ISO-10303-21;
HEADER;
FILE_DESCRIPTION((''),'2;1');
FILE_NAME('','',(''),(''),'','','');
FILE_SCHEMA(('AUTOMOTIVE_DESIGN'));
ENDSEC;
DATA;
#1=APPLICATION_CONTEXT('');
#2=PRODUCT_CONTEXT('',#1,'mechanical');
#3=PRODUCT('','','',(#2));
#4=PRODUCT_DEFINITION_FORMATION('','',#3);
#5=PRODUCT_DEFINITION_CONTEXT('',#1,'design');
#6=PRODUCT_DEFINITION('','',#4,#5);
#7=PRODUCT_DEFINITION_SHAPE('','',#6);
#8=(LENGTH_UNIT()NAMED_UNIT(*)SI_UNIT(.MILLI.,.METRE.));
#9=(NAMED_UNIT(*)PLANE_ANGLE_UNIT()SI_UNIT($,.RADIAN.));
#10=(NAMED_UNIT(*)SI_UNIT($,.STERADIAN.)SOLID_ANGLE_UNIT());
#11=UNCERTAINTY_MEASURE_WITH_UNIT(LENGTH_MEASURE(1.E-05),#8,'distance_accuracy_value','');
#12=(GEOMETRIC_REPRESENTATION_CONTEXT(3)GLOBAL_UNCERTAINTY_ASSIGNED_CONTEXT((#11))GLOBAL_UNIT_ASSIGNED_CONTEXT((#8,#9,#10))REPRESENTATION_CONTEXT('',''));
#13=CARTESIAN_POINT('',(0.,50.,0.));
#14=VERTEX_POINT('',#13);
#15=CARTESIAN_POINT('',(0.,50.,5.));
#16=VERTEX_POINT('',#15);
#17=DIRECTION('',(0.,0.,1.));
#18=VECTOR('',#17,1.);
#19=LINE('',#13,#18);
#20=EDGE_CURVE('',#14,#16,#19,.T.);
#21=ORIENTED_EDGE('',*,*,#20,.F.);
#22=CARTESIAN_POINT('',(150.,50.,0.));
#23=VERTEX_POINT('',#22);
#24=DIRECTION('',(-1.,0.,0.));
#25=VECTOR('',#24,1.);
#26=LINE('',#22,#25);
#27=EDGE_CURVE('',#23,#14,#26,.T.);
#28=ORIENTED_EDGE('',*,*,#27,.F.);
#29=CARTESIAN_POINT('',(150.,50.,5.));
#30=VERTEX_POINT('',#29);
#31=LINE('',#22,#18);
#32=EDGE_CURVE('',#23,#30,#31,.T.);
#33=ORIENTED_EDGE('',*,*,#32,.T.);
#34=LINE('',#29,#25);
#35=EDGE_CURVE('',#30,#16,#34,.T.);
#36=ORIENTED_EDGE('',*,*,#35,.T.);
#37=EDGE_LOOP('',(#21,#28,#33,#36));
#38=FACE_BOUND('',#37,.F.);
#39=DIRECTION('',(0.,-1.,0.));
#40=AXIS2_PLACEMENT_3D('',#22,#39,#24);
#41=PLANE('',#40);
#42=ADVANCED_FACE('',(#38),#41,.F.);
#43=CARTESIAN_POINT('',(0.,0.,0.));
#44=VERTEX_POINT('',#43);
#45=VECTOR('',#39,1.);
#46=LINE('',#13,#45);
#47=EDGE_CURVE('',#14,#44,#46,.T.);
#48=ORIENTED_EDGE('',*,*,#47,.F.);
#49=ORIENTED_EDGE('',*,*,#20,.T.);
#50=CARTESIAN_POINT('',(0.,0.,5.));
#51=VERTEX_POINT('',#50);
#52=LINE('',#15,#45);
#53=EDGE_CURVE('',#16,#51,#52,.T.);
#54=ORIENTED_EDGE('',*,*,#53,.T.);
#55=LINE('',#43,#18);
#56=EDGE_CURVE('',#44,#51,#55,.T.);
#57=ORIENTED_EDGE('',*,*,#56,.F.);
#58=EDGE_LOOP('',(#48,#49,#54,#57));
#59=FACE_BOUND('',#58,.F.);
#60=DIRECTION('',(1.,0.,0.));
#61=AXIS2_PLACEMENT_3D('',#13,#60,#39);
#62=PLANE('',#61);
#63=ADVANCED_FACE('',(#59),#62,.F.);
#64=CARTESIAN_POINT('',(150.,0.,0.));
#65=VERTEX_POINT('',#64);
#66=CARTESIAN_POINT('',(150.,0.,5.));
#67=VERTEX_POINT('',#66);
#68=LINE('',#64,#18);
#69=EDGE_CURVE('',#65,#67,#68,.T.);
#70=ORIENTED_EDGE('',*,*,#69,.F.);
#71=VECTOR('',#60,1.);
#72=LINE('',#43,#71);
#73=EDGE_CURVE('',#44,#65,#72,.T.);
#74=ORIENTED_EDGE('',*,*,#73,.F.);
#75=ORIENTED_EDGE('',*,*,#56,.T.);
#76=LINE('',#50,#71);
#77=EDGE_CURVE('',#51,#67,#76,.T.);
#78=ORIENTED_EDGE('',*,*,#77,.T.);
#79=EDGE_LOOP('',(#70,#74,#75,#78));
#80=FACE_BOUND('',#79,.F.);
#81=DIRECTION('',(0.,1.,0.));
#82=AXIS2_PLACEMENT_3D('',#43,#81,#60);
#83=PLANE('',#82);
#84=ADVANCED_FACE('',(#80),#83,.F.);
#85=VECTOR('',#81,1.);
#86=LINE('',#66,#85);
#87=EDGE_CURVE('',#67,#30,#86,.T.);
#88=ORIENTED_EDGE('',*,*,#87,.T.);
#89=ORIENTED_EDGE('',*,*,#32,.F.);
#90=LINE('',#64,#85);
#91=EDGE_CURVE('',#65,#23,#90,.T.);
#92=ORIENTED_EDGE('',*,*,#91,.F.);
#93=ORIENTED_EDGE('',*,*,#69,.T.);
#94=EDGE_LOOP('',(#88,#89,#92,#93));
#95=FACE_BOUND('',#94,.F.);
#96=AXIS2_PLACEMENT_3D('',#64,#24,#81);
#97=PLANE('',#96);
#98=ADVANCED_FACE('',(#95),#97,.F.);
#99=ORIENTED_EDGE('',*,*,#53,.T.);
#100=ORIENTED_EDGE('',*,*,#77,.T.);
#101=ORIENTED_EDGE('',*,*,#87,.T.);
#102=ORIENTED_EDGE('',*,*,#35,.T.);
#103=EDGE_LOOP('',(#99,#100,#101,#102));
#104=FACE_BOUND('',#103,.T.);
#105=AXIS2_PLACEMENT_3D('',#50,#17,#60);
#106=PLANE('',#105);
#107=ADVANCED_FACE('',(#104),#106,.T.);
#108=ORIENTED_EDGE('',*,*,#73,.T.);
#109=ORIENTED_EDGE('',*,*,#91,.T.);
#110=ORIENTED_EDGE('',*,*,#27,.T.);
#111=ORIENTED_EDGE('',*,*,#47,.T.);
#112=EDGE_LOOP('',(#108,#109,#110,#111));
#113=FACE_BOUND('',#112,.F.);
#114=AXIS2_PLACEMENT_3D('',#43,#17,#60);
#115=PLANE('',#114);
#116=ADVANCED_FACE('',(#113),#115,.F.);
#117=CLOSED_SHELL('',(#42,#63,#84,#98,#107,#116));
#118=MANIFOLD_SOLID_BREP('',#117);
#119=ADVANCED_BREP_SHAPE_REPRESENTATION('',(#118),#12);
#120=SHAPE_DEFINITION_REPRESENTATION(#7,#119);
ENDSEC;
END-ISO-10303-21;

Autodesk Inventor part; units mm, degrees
ref_plane "YZ Plane" through (0, 0, 0) normal (1, 0, 0) x (0, 1, 0)
ref_plane "XZ Plane" through (0, 0, 0) normal (0, 1, 0) x (-1, 0, 0)
ref_plane "XY Plane" through (0, 0, 0) normal (0, 0, 1) x (1, 0, 0)
sketch "Sketch1" plane through (0, 0, 0) normal (0, 0, 1) x (1, 0, 0)
  line L0 (0, 0) -> (150, 0)
  line L1 (150, 0) -> (150, 50)
  line L2 (150, 50) -> (0, 50)
  line L3 (0, 50) -> (0, 0)
  dimension "d0" = 150
  dimension "d1" = 50
extrude "Extrusion1" add sketch "Sketch1" along normal blind 5
properties part number "base"
